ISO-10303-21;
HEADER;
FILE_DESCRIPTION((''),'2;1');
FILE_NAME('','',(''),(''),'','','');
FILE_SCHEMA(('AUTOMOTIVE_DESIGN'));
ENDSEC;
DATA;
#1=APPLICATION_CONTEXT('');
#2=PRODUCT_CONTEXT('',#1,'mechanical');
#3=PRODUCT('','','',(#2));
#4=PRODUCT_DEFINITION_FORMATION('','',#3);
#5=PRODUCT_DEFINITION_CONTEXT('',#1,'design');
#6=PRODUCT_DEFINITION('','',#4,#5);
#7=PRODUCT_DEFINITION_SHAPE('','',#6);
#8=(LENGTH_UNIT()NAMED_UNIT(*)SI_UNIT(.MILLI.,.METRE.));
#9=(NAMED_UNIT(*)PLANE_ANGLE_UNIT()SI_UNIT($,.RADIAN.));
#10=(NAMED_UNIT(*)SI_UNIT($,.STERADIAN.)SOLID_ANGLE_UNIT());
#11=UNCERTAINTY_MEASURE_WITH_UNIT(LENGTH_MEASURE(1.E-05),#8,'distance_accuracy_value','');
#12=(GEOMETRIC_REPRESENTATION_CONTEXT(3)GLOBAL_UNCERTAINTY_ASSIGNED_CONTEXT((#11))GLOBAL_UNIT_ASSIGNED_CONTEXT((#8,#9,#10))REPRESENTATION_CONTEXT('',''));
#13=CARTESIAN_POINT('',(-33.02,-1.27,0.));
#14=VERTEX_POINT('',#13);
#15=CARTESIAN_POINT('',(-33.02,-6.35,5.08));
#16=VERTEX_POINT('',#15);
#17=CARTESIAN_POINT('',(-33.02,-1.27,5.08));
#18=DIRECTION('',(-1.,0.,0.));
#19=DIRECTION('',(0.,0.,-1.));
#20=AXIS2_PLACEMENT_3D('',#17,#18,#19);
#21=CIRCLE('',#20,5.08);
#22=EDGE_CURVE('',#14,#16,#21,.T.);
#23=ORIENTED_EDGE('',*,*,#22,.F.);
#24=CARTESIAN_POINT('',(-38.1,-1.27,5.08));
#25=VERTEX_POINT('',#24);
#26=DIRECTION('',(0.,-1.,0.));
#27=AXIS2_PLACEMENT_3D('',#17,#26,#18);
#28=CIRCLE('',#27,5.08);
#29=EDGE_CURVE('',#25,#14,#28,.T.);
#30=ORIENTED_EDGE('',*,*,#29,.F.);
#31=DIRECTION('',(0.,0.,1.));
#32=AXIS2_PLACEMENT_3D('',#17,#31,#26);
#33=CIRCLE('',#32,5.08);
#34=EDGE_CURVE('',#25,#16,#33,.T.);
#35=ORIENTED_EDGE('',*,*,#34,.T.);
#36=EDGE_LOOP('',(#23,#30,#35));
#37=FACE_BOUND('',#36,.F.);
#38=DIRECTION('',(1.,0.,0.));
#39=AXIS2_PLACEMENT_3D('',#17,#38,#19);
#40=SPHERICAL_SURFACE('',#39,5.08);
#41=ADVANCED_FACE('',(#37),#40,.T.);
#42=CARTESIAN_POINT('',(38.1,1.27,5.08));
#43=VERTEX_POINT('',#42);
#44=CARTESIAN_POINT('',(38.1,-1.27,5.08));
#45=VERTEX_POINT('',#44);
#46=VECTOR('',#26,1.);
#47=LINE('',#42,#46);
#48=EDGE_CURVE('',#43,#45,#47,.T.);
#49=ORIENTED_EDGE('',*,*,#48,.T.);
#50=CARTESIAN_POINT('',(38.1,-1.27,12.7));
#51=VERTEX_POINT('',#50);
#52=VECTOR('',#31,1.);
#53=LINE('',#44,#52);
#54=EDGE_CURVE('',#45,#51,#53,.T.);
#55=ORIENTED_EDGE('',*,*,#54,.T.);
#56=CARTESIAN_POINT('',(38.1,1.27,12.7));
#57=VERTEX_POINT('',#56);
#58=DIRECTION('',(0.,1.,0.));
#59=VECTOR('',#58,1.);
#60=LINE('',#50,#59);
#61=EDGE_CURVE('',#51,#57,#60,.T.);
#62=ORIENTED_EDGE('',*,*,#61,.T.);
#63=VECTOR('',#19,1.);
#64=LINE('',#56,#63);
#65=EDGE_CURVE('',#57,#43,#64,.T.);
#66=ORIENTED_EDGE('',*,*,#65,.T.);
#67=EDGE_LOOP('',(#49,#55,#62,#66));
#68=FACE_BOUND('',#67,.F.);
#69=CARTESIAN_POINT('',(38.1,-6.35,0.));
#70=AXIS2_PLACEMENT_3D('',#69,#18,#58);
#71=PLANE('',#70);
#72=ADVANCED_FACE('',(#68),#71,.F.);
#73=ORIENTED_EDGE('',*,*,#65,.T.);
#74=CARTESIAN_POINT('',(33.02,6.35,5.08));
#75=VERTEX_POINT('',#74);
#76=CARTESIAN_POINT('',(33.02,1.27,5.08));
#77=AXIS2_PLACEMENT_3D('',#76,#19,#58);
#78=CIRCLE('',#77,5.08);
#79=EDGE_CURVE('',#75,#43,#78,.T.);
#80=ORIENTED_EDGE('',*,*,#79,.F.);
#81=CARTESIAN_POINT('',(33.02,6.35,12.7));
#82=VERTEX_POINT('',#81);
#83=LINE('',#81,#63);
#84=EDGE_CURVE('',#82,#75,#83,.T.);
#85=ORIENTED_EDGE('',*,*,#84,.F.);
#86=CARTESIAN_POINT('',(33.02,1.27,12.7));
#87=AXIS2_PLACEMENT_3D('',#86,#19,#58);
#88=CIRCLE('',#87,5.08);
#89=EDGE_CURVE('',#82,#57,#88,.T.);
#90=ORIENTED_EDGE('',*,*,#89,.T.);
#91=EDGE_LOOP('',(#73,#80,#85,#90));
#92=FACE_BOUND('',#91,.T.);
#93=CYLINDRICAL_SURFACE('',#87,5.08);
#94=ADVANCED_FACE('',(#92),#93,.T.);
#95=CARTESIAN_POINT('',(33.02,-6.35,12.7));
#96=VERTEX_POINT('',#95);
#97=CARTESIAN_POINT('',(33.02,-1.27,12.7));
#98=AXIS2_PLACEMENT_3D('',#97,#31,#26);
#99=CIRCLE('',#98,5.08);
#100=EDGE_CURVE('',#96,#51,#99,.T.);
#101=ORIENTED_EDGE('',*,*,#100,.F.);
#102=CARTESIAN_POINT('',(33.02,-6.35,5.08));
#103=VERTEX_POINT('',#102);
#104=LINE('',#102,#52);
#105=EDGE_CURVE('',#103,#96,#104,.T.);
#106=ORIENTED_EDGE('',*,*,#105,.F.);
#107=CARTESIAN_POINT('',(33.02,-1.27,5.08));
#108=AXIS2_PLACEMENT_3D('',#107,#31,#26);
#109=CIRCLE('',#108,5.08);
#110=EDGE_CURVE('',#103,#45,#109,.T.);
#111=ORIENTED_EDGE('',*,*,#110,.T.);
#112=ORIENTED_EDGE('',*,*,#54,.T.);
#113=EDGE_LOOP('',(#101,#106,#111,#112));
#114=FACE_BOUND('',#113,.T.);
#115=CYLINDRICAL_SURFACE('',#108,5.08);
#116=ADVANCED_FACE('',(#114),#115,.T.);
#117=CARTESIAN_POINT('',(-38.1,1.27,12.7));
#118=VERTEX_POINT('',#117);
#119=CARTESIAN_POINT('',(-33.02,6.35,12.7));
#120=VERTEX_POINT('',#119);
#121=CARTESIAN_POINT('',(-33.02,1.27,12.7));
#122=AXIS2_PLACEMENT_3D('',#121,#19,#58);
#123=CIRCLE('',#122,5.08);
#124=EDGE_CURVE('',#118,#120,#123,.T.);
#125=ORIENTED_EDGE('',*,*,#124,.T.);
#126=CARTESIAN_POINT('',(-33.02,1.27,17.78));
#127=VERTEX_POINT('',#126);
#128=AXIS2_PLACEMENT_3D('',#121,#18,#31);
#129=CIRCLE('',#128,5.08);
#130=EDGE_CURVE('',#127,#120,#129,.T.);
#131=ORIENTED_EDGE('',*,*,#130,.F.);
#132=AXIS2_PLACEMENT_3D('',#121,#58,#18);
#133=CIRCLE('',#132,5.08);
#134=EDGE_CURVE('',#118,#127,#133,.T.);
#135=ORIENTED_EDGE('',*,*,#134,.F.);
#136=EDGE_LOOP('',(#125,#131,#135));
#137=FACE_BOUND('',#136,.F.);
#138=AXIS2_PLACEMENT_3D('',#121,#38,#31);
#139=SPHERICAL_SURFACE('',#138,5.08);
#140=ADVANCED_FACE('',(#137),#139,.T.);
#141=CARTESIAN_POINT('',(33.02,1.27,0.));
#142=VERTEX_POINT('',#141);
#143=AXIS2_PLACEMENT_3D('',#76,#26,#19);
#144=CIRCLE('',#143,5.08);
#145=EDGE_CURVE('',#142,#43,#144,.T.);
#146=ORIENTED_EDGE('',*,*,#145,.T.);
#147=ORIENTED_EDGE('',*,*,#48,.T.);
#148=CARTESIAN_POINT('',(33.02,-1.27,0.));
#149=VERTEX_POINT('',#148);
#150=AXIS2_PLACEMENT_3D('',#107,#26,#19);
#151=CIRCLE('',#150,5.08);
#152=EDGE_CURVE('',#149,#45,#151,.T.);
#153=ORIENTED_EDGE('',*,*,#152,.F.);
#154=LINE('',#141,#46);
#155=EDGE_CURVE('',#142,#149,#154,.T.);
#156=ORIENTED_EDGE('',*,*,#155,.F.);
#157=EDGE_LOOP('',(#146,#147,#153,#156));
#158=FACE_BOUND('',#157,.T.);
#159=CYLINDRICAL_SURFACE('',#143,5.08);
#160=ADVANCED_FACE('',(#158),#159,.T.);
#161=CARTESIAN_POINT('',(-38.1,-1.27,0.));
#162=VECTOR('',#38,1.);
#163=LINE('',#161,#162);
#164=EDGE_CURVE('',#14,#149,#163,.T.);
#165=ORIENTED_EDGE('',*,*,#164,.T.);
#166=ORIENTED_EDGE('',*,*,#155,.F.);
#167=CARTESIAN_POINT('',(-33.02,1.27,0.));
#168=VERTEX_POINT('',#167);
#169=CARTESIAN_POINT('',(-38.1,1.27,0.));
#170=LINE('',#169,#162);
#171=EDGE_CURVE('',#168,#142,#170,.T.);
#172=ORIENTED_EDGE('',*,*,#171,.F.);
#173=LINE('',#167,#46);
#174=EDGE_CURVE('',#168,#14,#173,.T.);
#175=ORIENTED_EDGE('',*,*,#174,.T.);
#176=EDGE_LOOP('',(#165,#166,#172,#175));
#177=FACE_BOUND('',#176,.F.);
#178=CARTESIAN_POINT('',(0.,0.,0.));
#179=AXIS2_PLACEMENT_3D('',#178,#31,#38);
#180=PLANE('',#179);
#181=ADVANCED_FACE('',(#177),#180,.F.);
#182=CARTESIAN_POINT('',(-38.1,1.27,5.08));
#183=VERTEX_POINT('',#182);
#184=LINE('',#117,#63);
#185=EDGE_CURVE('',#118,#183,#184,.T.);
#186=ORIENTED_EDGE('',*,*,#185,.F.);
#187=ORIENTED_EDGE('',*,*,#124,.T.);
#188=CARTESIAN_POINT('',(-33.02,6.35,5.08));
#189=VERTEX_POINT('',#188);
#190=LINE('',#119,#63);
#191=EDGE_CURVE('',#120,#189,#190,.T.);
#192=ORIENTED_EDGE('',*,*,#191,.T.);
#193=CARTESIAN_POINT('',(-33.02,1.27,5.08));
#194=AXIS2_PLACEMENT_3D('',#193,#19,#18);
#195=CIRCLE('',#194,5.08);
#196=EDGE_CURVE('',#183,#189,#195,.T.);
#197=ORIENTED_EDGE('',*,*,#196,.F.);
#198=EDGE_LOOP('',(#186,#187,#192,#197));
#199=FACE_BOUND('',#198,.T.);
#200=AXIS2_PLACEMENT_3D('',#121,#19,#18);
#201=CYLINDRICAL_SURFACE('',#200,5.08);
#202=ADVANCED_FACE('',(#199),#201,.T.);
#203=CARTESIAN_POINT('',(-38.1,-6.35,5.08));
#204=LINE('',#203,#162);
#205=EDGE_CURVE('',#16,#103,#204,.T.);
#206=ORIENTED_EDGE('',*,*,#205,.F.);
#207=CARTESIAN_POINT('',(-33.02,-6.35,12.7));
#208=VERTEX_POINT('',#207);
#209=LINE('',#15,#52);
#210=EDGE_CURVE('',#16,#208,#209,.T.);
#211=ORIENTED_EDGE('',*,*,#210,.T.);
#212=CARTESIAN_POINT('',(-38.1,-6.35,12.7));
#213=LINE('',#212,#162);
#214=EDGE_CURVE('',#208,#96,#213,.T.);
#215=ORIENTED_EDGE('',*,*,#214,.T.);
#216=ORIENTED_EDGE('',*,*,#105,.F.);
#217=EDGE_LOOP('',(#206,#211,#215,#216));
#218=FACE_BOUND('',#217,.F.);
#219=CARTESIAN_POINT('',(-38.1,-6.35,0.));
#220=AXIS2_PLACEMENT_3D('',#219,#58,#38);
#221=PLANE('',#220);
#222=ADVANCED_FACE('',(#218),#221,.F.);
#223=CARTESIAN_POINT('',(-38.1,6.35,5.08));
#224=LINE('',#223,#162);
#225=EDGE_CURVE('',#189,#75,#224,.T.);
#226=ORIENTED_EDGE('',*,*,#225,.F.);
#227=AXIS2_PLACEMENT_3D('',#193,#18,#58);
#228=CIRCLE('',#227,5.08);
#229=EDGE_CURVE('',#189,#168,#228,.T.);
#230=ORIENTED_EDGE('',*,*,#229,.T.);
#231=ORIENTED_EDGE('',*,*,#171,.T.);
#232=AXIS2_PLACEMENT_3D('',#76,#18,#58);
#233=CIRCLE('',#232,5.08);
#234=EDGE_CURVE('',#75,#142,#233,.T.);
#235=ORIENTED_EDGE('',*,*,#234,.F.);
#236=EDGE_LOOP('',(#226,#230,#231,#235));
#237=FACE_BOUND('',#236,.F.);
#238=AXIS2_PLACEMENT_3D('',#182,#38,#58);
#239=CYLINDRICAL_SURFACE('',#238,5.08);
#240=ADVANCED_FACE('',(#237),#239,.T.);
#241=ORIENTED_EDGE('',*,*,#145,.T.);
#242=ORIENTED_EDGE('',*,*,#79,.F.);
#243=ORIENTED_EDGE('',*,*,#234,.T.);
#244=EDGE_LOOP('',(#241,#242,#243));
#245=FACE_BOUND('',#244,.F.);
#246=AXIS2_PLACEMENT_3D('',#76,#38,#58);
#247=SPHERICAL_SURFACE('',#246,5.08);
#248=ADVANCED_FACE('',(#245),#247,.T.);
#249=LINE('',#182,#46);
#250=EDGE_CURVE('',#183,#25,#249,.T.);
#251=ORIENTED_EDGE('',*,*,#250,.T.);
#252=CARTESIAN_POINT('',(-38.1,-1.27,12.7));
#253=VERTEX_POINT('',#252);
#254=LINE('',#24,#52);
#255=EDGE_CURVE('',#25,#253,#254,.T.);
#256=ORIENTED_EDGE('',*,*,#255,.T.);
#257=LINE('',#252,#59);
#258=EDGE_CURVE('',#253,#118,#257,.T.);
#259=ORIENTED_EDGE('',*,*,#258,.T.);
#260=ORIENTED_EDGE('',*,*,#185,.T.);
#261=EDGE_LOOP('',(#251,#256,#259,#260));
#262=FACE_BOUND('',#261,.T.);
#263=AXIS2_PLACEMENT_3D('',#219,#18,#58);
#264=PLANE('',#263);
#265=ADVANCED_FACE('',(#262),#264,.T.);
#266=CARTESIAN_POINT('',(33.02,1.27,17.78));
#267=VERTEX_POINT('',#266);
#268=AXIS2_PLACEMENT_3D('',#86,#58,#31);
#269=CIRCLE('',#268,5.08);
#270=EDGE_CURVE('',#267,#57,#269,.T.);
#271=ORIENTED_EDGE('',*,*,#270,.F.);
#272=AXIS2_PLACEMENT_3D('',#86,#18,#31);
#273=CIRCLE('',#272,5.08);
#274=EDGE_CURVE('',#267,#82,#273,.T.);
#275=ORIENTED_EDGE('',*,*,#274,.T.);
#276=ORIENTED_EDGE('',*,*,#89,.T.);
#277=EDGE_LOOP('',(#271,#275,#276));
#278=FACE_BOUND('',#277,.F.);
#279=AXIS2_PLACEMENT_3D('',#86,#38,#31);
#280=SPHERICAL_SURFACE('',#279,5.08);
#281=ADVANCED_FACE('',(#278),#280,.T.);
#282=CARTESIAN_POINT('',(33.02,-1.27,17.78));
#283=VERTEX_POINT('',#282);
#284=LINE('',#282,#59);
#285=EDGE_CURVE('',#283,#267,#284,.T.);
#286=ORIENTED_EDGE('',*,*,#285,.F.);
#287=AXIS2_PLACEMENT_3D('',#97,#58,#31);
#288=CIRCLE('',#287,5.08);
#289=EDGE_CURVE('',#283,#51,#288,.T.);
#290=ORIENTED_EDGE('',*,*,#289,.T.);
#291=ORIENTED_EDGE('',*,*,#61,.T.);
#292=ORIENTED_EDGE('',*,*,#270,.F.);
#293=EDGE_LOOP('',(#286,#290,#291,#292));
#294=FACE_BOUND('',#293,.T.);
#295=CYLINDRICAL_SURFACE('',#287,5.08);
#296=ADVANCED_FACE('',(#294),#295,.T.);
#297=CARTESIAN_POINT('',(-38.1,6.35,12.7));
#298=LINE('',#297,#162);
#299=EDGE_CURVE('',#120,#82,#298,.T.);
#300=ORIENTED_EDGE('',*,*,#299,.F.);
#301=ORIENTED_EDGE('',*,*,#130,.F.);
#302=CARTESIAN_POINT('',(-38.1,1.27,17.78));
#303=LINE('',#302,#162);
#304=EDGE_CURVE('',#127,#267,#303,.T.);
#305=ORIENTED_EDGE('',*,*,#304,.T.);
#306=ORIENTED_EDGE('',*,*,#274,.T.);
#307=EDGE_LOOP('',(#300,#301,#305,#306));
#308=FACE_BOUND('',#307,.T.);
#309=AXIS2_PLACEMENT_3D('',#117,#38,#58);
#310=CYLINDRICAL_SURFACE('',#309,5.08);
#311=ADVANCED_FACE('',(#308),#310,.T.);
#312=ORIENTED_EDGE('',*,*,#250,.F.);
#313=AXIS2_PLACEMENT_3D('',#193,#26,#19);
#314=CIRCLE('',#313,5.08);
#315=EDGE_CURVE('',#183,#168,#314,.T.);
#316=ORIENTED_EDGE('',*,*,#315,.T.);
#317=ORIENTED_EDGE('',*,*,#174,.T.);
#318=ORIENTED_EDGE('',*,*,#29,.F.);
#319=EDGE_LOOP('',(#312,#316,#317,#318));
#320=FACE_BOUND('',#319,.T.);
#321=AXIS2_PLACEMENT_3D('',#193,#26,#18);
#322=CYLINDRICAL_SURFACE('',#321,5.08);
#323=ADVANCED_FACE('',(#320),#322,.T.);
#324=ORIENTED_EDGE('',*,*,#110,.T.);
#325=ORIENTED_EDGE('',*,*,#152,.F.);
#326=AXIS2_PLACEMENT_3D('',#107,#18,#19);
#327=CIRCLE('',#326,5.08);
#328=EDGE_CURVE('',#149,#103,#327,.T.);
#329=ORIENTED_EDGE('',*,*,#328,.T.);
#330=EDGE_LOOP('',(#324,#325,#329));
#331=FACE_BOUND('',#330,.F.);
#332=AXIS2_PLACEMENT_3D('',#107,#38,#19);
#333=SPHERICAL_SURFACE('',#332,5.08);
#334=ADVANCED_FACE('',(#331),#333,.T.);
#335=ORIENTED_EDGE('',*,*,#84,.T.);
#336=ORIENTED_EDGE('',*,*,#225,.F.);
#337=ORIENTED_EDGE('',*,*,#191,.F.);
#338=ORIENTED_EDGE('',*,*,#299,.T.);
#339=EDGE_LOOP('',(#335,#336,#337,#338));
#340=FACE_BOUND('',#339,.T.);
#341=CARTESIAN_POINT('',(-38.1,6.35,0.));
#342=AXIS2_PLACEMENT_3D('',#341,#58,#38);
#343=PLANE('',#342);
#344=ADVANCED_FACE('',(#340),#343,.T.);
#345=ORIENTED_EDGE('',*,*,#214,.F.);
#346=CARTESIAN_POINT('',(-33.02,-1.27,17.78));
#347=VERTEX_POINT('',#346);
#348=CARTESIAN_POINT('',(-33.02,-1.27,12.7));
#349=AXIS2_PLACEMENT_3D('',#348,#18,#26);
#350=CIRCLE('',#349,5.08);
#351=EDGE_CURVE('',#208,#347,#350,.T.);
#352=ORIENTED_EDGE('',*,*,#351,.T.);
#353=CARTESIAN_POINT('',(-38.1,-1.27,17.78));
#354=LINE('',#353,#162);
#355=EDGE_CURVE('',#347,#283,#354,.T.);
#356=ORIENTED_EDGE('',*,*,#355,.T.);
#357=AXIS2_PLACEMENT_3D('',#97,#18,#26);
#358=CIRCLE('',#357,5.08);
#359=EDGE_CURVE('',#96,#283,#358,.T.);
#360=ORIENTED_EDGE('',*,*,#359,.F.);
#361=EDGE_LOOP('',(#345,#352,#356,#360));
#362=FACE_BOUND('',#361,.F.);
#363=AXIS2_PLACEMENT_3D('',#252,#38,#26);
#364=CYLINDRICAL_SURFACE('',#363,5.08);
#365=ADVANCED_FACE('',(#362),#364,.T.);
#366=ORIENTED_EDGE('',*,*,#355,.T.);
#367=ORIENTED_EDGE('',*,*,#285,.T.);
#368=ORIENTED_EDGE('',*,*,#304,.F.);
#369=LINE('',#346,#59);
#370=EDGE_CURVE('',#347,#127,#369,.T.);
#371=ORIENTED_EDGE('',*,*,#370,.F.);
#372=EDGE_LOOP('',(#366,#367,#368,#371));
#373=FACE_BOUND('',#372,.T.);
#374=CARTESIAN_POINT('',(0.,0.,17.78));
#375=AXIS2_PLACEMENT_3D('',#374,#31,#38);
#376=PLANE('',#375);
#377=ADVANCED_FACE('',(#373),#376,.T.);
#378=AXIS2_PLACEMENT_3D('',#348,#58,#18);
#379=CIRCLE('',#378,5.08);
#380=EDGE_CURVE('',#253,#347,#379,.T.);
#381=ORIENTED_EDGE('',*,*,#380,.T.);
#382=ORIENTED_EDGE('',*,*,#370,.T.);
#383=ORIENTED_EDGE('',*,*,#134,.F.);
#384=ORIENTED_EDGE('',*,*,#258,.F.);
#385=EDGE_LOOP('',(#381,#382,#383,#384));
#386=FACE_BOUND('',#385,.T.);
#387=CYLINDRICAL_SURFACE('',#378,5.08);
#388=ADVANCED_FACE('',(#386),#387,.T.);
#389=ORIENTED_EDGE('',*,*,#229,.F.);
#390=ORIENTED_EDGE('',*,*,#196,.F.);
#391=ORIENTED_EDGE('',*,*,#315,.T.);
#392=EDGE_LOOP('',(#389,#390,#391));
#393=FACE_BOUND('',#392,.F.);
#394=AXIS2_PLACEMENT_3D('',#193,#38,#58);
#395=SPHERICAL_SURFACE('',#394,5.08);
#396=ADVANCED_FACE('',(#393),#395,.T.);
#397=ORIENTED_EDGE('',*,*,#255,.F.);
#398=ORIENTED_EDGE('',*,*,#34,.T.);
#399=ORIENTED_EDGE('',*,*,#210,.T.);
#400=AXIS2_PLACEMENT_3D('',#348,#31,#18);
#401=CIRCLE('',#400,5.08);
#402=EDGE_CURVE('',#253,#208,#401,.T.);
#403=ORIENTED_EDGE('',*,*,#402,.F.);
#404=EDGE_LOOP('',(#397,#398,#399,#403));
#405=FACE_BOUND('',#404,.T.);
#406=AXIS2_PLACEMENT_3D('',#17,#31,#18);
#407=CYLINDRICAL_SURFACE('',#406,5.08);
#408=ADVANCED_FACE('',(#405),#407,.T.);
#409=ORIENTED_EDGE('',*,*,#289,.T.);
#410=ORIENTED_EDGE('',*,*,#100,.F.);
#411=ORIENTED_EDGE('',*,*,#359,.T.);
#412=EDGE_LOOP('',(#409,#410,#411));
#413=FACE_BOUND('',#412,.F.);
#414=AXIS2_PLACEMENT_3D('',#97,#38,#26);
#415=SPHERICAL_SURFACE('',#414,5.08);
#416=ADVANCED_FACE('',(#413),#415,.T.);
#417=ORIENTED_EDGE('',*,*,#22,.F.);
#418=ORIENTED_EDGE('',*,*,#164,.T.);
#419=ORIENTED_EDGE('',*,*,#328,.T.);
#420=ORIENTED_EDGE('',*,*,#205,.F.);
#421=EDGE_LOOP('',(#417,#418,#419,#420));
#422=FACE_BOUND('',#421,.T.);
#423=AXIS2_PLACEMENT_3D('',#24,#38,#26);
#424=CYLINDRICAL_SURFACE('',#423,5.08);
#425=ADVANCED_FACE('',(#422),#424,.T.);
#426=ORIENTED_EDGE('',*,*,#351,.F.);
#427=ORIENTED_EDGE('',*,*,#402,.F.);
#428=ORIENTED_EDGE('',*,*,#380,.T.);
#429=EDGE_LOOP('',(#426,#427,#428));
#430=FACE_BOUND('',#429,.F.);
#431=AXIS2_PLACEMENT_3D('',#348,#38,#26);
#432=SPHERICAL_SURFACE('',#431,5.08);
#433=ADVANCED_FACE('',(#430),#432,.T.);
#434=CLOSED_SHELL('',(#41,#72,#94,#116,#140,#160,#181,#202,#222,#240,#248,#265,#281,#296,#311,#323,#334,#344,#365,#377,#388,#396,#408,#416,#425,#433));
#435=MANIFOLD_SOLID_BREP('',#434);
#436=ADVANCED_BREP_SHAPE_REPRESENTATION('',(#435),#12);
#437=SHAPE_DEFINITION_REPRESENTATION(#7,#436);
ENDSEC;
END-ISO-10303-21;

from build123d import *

# Parameters (mm, degrees)
F0_W     = 76.2
F0_H     = 12.7
F1_DEPTH = 17.78
F2_R     = 5.08
F3_R     = 5.08
F4_R     = 5.08


with BuildPart() as f1:
    # F0 (on Top) → F1 (new body)
    with BuildSketch(Plane.XY):
        Rectangle(F0_W, F0_H)
    extrude(amount=F1_DEPTH)

    # F2
    f2_edges = [f1.edges().sort_by_distance(p)[0] for p in [
        (0, 6.35, 17.78),
        (0, -6.35, 17.78),
        (0, 6.35, 0),
        (0, -6.35, 0),
    ]]
    fillet(f2_edges, radius=F2_R)

    # F3
    f3_edges = [f1.edges().sort_by_distance(p)[0] for p in [
        (-38.1, 0, 17.78),
        (-38.1, -4.862102, 16.292102),
        (-38.1, 4.862102, 16.292102),
        (-38.1, 6.35, 8.89),
        (-38.1, -6.35, 8.89),
        (-38.1, -4.862102, 1.487898),
        (-38.1, 0, 0),
        (-38.1, 4.862102, 1.487898),
    ]]
    fillet(f3_edges, radius=F3_R)

    # F4
    f4_edges = [f1.edges().sort_by_distance(p)[0] for p in [
        (38.1, -4.862102, 16.292102),
        (38.1, 0, 17.78),
        (38.1, 4.862102, 16.292102),
        (38.1, 6.35, 8.89),
        (38.1, 4.862102, 1.487898),
        (38.1, 0, 0),
        (38.1, -4.862102, 1.487898),
        (38.1, -6.35, 8.89),
    ]]
    fillet(f4_edges, radius=F4_R)


solid = f1.part
